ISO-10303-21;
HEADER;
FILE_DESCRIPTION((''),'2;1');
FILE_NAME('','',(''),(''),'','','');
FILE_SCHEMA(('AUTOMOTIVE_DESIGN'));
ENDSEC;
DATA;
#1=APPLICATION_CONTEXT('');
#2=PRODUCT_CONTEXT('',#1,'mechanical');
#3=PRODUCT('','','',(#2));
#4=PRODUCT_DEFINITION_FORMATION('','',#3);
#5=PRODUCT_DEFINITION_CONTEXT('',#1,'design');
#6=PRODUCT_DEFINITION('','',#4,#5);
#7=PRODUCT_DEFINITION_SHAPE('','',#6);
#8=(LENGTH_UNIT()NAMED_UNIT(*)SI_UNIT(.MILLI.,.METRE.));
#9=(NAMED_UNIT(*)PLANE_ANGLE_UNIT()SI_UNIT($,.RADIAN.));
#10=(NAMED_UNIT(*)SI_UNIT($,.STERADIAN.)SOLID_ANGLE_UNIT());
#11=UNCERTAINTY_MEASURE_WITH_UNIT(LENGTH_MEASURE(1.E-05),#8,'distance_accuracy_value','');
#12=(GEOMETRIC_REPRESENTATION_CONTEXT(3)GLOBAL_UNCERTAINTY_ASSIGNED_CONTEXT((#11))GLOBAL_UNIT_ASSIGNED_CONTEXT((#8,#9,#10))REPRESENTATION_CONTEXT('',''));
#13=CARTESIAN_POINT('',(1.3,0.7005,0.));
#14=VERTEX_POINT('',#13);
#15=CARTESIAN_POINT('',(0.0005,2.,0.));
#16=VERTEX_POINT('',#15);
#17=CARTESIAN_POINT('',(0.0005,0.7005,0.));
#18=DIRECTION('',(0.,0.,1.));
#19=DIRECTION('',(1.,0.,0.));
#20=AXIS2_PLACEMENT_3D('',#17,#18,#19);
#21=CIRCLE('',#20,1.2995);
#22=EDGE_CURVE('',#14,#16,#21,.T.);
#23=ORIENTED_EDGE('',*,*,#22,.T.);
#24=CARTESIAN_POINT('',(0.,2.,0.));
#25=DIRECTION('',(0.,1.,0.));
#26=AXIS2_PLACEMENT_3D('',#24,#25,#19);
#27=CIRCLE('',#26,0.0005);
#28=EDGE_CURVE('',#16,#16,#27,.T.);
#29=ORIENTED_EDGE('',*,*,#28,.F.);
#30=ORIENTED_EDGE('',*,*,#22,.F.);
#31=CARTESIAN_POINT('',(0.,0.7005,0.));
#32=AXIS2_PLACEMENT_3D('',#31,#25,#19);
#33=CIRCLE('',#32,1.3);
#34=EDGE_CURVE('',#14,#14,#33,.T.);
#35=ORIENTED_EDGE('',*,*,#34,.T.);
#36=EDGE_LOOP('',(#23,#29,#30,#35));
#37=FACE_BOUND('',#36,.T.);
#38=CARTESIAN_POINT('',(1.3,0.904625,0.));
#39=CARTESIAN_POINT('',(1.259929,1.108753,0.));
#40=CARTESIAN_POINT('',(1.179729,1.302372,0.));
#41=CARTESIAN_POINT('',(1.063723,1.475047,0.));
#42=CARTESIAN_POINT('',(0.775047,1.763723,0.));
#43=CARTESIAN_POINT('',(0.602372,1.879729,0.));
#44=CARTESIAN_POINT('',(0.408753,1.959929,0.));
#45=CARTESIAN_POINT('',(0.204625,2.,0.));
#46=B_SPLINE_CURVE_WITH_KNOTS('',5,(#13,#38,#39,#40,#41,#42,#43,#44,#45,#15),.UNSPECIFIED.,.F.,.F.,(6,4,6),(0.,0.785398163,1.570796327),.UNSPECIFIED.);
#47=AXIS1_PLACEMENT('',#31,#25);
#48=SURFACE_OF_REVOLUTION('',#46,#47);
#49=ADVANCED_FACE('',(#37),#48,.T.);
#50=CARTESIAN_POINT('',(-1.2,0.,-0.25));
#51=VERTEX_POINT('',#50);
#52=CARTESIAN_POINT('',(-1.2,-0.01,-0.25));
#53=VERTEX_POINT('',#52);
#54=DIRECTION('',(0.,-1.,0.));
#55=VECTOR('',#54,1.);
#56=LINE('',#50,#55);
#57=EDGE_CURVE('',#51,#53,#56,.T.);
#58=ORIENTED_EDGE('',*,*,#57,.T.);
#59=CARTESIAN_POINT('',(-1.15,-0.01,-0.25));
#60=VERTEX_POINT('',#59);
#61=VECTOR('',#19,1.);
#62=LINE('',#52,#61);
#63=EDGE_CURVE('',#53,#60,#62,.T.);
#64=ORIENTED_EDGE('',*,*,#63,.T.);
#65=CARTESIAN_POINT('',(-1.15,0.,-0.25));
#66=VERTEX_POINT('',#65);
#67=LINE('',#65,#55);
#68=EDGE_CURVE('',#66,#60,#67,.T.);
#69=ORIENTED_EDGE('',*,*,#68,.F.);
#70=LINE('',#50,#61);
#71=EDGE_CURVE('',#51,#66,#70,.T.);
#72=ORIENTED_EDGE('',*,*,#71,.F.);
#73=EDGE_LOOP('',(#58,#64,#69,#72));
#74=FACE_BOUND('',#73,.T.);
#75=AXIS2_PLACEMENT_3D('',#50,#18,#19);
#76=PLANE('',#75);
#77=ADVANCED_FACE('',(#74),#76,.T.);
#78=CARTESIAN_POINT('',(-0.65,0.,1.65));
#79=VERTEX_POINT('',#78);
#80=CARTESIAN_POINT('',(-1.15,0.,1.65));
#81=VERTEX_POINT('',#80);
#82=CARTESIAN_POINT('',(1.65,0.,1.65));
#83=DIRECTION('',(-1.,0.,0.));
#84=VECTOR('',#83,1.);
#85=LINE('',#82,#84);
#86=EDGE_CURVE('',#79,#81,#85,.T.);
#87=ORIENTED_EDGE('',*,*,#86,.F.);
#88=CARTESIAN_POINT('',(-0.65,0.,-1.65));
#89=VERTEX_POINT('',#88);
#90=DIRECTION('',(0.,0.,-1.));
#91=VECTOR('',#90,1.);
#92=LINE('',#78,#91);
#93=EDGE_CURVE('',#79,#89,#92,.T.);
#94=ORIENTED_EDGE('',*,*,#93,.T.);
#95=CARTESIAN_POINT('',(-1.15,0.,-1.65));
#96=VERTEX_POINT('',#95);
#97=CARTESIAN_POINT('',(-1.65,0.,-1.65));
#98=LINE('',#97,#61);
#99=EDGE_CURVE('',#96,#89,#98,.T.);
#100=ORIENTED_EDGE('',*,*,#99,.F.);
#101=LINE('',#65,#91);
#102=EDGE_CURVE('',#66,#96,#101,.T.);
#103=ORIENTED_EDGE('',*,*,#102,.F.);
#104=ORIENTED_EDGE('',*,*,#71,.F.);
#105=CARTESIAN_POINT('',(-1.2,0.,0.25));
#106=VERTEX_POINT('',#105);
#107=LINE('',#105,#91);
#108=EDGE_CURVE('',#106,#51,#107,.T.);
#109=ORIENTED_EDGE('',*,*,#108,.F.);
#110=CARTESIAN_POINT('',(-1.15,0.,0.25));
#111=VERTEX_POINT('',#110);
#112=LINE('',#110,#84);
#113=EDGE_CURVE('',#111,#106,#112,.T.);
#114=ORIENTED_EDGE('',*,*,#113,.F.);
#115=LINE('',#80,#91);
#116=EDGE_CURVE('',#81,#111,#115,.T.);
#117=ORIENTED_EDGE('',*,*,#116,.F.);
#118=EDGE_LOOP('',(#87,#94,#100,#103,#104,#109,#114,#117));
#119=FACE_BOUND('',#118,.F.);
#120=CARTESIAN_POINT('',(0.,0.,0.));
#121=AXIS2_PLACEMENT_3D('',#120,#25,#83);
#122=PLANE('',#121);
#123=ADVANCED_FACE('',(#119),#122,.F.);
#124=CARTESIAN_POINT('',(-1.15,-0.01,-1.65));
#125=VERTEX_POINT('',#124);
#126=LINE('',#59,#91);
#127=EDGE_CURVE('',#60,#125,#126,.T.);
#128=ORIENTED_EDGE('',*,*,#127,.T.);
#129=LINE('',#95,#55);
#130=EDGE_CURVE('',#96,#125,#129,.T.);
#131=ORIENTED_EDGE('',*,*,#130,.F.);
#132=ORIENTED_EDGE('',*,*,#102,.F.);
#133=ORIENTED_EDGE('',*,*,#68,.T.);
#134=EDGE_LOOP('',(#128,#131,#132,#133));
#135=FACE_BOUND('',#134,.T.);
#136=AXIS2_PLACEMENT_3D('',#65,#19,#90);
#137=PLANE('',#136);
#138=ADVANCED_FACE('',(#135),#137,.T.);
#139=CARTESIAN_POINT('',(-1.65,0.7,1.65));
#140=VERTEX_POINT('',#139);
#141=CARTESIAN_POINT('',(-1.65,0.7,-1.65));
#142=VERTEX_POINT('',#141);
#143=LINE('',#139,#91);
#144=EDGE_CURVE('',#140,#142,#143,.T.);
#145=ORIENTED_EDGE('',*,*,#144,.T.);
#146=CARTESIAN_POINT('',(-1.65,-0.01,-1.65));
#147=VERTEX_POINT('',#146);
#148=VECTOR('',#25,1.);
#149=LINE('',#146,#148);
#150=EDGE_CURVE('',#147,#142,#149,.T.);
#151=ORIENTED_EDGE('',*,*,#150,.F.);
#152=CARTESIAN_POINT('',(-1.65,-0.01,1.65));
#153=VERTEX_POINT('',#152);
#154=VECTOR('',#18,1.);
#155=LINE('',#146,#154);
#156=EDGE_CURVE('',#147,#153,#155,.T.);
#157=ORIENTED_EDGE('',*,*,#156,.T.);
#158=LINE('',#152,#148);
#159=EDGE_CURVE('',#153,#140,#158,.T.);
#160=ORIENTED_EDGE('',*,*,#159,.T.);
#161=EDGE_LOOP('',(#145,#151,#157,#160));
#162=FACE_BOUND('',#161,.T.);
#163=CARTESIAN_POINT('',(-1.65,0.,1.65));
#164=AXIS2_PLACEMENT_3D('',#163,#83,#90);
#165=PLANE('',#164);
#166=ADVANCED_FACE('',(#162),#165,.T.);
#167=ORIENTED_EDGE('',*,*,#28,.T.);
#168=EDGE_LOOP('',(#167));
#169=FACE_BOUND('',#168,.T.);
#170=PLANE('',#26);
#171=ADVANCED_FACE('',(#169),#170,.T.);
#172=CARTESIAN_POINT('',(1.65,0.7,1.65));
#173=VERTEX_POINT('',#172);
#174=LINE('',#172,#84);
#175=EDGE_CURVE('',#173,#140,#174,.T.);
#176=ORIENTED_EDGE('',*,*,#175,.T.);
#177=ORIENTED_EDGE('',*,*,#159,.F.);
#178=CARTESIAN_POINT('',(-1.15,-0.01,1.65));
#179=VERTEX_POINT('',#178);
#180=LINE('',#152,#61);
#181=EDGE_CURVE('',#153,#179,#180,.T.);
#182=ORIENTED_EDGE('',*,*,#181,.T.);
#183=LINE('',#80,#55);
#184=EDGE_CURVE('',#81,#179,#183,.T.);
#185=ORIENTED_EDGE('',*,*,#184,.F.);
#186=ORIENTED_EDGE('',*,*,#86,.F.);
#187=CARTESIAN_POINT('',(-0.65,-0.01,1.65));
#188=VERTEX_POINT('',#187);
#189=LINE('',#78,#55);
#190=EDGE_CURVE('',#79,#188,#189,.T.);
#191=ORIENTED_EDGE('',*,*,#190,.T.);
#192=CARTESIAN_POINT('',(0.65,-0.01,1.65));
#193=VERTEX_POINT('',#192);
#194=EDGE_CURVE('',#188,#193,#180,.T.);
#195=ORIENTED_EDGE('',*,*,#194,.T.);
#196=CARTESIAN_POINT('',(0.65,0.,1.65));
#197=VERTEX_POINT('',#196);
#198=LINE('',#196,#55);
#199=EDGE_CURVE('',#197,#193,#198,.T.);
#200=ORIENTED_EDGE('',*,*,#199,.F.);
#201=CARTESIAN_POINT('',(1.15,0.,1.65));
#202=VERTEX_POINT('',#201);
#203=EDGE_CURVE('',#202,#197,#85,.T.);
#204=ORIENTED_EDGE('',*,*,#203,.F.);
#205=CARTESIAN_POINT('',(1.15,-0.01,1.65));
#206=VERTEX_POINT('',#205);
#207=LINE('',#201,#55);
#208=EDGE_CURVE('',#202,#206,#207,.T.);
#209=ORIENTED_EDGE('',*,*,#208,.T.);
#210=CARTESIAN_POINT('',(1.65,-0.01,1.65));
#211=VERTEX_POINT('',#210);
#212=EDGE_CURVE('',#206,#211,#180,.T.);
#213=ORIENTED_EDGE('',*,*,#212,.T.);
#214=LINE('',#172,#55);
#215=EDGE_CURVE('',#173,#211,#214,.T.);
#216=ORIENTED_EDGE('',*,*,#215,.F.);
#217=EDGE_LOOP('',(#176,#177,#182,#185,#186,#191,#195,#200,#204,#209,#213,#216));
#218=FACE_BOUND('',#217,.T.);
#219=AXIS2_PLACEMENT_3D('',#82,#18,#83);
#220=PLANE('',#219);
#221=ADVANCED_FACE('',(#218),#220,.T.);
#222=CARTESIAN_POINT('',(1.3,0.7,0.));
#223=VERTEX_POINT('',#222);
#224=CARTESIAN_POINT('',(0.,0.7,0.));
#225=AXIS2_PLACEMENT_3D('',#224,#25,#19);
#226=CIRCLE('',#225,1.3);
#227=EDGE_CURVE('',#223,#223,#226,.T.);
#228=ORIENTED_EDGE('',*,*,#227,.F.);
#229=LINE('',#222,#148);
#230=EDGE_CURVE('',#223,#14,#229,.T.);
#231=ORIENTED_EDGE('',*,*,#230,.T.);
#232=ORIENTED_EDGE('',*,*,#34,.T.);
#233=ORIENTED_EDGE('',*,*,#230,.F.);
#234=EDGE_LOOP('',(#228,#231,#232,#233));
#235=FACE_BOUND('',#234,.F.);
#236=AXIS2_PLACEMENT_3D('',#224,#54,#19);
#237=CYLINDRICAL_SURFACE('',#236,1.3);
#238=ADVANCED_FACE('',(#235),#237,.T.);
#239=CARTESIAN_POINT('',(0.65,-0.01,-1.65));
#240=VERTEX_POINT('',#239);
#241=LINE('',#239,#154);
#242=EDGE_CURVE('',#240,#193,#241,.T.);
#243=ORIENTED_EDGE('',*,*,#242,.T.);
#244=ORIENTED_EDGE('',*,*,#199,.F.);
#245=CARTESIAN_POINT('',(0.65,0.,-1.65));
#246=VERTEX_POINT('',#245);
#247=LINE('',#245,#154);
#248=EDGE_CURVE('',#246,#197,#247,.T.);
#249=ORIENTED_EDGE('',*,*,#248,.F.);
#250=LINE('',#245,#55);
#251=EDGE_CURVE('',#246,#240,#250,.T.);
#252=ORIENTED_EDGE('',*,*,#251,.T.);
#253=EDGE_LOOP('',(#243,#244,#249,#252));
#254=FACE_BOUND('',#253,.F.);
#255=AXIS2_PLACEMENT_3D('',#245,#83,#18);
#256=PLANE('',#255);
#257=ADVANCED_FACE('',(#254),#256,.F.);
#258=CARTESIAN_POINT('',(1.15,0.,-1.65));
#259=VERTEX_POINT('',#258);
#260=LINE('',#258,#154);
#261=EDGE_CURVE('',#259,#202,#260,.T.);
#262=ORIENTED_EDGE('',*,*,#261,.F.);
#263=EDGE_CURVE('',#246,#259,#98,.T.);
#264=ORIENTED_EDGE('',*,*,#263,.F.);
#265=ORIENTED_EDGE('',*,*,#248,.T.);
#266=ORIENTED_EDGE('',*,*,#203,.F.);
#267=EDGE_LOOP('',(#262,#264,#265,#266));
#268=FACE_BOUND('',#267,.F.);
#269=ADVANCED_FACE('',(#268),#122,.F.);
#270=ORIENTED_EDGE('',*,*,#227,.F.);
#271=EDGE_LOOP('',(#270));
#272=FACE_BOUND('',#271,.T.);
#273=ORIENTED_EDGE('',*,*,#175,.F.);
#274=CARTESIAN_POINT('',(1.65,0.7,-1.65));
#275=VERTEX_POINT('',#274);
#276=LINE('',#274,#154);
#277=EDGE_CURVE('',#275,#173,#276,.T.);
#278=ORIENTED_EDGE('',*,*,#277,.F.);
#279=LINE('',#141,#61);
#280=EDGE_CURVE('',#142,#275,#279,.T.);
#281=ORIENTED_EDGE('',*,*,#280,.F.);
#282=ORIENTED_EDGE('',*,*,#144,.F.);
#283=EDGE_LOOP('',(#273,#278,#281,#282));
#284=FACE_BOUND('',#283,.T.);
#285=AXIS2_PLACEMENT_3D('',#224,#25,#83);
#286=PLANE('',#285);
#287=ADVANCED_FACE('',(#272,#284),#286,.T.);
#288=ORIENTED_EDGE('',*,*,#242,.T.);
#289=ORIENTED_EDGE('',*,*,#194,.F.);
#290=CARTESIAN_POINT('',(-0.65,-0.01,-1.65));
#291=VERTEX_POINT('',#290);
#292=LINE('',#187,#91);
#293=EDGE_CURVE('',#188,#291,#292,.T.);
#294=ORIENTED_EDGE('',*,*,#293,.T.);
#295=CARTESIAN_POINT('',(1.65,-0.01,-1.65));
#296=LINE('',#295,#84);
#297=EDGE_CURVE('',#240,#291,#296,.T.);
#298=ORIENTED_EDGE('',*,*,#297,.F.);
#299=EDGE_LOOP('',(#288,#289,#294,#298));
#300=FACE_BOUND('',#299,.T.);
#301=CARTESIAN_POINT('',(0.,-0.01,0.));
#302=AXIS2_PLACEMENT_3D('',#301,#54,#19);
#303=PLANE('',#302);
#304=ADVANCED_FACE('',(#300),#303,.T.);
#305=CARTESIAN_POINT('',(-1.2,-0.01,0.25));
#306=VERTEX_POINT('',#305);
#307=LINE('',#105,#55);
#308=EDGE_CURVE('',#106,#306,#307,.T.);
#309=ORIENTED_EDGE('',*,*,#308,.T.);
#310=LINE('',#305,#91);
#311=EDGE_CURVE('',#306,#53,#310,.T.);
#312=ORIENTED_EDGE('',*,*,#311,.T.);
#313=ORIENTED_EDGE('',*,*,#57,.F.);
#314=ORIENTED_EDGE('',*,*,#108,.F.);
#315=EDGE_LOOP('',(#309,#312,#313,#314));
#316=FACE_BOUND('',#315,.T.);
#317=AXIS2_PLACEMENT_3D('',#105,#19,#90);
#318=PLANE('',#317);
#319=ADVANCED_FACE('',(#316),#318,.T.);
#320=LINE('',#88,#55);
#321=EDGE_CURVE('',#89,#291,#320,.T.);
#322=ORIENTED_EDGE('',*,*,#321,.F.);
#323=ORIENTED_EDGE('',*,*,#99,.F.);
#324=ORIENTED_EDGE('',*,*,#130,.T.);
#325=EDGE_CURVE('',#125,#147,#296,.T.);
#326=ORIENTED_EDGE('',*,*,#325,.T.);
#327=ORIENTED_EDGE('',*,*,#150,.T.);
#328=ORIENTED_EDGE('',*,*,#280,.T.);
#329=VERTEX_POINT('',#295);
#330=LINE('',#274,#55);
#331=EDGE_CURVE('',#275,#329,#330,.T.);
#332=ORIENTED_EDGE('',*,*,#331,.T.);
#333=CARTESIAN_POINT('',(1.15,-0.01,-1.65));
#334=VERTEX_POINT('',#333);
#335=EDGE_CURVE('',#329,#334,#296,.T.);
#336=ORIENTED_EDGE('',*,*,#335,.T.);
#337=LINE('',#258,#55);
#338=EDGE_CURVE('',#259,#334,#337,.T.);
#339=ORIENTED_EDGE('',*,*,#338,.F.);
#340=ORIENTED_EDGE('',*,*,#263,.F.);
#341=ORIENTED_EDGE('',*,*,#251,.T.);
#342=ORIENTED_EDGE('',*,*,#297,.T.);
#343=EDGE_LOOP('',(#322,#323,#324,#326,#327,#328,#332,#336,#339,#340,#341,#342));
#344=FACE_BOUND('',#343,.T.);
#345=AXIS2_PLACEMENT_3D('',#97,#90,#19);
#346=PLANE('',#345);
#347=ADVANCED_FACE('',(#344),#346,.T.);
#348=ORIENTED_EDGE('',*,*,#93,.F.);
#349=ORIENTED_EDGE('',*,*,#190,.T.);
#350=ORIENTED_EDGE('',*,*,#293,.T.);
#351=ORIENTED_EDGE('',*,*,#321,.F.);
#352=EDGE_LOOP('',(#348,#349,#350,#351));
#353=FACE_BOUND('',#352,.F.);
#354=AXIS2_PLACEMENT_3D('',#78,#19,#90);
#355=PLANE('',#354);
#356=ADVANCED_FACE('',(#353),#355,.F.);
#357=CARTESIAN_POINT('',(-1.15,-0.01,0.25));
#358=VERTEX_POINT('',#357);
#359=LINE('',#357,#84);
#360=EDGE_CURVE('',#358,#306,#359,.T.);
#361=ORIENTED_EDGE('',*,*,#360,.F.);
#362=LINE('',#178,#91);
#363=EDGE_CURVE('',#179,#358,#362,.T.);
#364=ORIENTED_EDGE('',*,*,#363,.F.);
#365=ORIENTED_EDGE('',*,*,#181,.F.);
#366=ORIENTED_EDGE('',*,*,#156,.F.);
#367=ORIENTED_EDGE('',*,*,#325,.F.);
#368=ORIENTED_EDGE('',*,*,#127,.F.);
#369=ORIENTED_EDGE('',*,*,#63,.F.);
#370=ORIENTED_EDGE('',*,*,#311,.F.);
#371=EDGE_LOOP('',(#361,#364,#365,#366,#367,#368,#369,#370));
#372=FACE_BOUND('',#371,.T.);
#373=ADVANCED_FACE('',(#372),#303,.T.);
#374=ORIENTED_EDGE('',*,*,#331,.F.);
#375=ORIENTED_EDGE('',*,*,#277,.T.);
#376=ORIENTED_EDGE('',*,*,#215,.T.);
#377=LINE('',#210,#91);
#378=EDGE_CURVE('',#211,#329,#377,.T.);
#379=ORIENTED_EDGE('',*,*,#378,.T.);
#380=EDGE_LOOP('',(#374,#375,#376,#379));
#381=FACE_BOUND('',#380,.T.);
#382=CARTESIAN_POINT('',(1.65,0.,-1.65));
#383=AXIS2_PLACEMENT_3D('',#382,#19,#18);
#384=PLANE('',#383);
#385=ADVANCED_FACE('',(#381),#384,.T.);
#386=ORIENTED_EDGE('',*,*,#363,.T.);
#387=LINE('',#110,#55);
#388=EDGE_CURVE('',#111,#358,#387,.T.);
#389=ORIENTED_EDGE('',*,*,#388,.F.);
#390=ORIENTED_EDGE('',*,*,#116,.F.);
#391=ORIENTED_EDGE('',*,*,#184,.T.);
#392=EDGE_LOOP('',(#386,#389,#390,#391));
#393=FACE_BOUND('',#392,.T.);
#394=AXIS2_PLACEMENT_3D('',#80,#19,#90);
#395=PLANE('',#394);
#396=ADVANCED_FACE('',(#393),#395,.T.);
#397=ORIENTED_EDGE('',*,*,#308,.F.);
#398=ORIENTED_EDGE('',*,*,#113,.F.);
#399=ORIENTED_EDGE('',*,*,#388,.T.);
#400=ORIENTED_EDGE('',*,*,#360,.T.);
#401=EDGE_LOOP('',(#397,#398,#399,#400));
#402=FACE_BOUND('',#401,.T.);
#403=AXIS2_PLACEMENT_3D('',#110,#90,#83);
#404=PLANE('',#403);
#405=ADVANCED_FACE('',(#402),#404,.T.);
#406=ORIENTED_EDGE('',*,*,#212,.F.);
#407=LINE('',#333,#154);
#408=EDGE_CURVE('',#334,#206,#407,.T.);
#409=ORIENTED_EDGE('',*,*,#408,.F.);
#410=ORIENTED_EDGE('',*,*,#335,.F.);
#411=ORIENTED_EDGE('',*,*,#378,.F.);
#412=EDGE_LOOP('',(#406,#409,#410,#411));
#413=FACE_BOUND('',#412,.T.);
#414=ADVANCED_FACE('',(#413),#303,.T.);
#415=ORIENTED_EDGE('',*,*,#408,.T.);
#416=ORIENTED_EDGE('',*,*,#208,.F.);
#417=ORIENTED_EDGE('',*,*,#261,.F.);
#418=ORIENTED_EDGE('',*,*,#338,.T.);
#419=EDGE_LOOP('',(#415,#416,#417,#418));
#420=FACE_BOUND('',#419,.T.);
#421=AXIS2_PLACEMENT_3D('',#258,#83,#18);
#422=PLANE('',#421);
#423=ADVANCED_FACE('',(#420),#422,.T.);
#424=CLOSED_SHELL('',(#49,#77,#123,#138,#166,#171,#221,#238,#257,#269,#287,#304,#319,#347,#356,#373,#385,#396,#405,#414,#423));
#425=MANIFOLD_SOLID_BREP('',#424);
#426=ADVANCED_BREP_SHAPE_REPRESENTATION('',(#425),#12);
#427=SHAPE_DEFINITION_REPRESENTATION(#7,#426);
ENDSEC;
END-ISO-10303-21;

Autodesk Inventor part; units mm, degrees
ref_plane "YZ Plane" through (0, 0, 0) normal (1, 0, 0) x (0, 1, 0)
ref_plane "XZ Plane" through (0, 0, 0) normal (0, 1, 0) x (-1, 0, 0)
ref_plane "XY Plane" through (0, 0, 0) normal (0, 0, 1) x (1, 0, 0)
sketch "Skizze3" plane through (0, 0, 0) normal (0, 1, 0) x (-1, 0, 0)
  line L0 (1.65, -1.65) -> (-1.65, -1.65)
  line L1 (-1.65, -1.65) -> (-1.65, 1.65)
  line L2 (-1.65, 1.65) -> (1.65, 1.65)
  line L3 (1.65, 1.65) -> (1.65, -1.65)
  line L4 (1.65, -1.65) -> (-1.65, 1.65) construction
  line L5 (-1.65, -1.65) -> (1.65, 1.65) construction
  point P0 (0, 0)
  dimension "d5" = 3.3
  dimension "d6" = 3.3
extrude "Extrusion2" add sketch "Skizze3" along normal blind 0.7
sketch "Skizze5" plane through (0, 0, 0) normal (0, -1, 0) x (1, 0, 0)
  line L0 (1.65, -1.65) -> (-1.65, -1.65) projected
  line L1 (1.65, 1.65) -> (1.65, -1.65) projected
  line L2 (-1.65, 1.65) -> (1.65, 1.65) projected
  line L3 (-1.65, -1.65) -> (-1.65, 1.65) projected
  line L4 (-0.65, -1.65) -> (0.65, -1.65)
  line L5 (0.65, -1.65) -> (0.65, 1.65)
  line L6 (0.65, 1.65) -> (-0.65, 1.65)
  line L7 (-0.65, 1.65) -> (-0.65, -1.65)
  line L8 (-0.65, -1.65) -> (0.65, 1.65) construction
  line L9 (0.65, -1.65) -> (-0.65, 1.65) construction
  line L10 (-1.65, 0) -> (1.65, 0) construction
  line L11 (1.15, 1.65) -> (1.65, 1.65)
  line L12 (1.65, 1.65) -> (1.65, -1.65)
  line L13 (1.65, -1.65) -> (1.15, -1.65)
  line L14 (1.15, -1.65) -> (1.15, 1.65)
  line L15 (1.15, 1.65) -> (1.65, -1.65) construction
  line L16 (1.65, 1.65) -> (1.15, -1.65) construction
  line L17 (-1.65, 1.65) -> (-1.15, 1.65)
  line L18 (-1.15, -1.65) -> (-1.65, -1.65)
  line L19 (-1.65, -1.65) -> (-1.65, 1.65)
  line L20 (-1.65, 1.65) -> (-1.15, -1.65) construction
  line L21 (-1.15, 1.65) -> (-1.65, -1.65) construction
  line L22 (-1.15, 0.25) -> (-1.2, 0.25)
  line L23 (-1.2, 0.25) -> (-1.2, -0.25)
  line L24 (-1.2, -0.25) -> (-1.15, -0.25)
  line L25 (-1.15, 1.65) -> (-1.15, 0.25)
  line L26 (-1.15, -0.25) -> (-1.15, -1.65)
  point P0 (0, 0)
  point P1 (1.4, 0)
  point P2 (-1.4, 0)
  dimension "d13" = 1.3
  dimension "d14" = 3.3
  dimension "d15" = 0.5
  dimension "d16" = 3.3
  dimension "d19" = 1.4
  dimension "d20" = 0.5
  dimension "d21" = 3.3
  dimension "d22" = 1.4
  dimension "d26" = 0.5
  dimension "d27" = 0.05
  dimension "d28" = 1.4
sketch "Skizze4" plane through (0, 0.7, 0) normal (0, 1, 0) x (1, 0, 0)
  line L0 (1.65, 1.65) -> (-1.65, 1.65) projected
  circle A0 centre (0, 0) radius 1.3
  dimension "d9" = 2.6
extrude "Extrusion3" add sketch "Skizze4" along normal blind 1.3
fillet "Rundung1" radius 1.3 1 edges at (-1.3, 2, 0)
extrude "Extrusion5" add sketch "Skizze5" along normal blind 0.01 contours L0 L14 L2 L1 | L0 L7 L2 L5 | L0 L3 L2 L25 L22 L23 L24 L26
properties part number "IN-3531SCUV"
